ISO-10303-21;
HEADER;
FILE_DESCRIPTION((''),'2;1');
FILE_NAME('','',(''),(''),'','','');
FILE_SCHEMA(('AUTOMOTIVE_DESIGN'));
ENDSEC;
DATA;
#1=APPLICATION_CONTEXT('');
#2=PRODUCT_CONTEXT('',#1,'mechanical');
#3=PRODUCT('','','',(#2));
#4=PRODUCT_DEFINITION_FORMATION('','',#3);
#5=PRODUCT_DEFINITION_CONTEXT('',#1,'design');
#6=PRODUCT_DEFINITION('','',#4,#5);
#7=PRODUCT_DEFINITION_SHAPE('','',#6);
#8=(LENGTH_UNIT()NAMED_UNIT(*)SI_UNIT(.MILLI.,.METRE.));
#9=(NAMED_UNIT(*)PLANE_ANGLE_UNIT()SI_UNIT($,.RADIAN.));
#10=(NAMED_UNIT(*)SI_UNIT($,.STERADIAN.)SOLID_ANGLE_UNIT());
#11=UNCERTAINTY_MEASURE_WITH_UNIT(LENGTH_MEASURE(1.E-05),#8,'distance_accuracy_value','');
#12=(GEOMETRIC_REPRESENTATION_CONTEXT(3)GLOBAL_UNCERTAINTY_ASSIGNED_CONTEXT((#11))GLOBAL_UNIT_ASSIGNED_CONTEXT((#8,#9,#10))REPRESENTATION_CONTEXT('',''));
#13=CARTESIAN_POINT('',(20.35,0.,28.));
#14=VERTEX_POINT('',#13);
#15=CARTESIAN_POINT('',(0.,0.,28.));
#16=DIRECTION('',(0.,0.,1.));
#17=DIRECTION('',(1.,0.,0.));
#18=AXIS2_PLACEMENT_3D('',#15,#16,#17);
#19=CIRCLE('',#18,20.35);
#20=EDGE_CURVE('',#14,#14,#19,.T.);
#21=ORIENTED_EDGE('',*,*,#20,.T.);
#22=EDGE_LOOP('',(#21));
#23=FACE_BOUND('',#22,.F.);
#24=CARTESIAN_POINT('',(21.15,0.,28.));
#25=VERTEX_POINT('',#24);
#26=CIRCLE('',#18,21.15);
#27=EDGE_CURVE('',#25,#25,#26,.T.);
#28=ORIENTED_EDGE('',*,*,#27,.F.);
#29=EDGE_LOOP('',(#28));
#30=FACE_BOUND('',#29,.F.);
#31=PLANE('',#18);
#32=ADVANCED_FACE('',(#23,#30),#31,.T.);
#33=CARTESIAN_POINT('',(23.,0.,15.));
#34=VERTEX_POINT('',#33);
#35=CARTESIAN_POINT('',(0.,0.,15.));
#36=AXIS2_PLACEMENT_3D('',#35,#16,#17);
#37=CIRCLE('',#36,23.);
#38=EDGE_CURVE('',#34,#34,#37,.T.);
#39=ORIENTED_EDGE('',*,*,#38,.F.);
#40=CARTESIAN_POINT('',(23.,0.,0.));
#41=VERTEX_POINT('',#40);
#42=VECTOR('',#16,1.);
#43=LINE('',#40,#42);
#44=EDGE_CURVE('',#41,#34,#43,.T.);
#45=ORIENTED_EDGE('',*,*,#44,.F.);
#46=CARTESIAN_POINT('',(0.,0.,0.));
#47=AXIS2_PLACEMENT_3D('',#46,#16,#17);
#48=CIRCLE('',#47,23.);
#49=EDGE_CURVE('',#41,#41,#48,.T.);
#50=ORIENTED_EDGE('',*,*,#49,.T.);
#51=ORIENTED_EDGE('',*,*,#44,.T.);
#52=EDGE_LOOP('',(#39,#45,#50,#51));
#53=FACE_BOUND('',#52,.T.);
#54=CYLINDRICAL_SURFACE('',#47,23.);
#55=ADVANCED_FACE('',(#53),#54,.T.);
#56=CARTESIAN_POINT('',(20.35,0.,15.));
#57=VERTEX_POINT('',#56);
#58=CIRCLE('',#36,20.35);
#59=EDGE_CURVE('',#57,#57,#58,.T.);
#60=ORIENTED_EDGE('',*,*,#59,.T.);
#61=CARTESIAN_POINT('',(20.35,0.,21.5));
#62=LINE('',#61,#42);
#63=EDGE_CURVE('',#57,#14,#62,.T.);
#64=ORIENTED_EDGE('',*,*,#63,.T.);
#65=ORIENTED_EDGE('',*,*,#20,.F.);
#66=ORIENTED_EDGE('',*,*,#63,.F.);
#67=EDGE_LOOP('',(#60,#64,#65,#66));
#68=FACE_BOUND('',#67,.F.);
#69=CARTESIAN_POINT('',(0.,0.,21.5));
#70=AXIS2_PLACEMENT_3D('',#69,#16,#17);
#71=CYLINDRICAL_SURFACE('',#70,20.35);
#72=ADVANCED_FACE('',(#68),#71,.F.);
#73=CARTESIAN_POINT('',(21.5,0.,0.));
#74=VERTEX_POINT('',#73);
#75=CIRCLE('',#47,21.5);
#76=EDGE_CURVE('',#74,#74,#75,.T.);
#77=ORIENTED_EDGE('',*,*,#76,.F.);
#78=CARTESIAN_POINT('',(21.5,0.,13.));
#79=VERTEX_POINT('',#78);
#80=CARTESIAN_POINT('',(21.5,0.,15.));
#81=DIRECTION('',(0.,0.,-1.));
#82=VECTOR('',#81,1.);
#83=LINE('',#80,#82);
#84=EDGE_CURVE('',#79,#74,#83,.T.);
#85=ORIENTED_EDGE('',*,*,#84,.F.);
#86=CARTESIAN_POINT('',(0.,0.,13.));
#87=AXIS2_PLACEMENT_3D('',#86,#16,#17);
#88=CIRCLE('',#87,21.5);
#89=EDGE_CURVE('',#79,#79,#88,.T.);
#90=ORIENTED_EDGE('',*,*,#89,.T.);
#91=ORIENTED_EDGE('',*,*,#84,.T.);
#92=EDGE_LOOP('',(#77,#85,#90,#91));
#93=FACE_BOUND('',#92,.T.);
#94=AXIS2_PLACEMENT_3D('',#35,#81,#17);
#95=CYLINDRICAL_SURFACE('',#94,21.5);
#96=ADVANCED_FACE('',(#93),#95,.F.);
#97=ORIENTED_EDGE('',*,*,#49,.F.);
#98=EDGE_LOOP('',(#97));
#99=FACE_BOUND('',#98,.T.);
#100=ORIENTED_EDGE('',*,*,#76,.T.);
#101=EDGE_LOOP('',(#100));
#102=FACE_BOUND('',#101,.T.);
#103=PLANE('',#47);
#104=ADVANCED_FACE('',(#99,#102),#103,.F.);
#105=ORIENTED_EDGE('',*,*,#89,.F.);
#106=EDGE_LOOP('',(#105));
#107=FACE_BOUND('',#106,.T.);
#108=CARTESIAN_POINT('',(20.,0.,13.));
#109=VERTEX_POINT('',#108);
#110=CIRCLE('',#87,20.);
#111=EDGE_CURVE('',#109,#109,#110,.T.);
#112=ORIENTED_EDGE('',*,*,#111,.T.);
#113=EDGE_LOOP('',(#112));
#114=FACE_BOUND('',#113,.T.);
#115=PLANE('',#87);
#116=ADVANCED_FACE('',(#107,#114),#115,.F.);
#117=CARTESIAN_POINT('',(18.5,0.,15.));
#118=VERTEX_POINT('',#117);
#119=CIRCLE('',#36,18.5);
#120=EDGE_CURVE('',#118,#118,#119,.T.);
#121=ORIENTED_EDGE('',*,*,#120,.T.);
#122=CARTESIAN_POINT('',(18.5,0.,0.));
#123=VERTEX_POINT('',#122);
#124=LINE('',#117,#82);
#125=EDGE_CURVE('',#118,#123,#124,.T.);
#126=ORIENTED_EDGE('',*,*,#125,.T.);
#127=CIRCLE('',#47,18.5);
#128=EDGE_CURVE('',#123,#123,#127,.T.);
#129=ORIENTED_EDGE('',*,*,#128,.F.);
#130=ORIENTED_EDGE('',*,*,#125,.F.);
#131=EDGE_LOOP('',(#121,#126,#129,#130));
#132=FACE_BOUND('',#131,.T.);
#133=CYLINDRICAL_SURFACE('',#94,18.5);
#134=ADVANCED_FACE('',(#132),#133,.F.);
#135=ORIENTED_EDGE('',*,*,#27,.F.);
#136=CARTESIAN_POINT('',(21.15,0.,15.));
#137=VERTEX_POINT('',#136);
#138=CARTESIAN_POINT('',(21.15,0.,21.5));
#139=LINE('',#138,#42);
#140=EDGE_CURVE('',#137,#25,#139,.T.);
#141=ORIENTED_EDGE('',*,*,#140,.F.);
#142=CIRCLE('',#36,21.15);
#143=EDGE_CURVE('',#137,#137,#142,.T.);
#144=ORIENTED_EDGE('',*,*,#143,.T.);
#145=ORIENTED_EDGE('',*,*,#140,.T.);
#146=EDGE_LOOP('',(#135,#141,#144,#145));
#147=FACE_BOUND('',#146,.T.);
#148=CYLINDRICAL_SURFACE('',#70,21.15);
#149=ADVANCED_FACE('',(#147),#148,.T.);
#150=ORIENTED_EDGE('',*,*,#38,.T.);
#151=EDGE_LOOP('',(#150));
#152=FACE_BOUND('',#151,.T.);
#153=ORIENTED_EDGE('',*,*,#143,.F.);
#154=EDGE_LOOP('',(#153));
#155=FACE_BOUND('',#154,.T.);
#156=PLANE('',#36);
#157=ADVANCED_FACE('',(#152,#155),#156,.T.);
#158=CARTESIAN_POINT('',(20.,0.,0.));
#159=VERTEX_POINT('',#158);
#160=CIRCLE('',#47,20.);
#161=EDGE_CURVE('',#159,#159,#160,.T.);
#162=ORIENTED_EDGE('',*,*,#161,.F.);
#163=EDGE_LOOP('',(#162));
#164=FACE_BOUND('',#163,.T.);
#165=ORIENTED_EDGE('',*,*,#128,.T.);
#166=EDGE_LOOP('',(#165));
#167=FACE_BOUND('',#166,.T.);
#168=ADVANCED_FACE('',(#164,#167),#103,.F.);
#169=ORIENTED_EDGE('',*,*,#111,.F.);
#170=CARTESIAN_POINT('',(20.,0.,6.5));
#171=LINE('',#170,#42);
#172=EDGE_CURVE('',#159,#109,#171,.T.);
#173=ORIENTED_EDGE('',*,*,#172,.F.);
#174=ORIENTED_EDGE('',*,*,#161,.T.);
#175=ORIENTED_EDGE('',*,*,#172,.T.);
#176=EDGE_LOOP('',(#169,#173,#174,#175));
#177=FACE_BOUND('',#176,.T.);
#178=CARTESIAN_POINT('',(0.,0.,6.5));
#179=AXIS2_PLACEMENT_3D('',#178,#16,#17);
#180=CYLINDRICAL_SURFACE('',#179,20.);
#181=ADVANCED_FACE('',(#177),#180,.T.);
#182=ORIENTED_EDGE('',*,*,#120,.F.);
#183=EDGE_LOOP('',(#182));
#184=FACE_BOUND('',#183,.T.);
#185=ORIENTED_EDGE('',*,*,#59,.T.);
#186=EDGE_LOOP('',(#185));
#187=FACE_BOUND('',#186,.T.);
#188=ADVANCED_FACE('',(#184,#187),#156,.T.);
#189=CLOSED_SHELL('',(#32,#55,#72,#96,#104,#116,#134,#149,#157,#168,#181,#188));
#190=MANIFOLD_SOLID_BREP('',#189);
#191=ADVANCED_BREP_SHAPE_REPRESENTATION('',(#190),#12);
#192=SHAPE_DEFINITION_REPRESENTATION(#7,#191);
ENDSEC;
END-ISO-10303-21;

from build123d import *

# Parameters (mm, degrees)
F0_W   = 1.5
F0_H   = 13
F0_H_2 = 2
F0_W_2 = 0.8


with BuildPart() as f1:
    # F0 (on Front) → F1 (revolve)
    with BuildSketch(Plane.XZ):
        with Locations((19.25, 6.5)):
            Rectangle(F0_W, F0_H)
        with Locations((22.25, 6.5)):
            Rectangle(F0_W, F0_H)
        with Locations((22.25, 14)):
            Rectangle(F0_W, F0_H_2)
        Polygon((20, 15), (20, 13), (21.5, 13), (21.5, 15), (21.15, 15), (20.35, 15), align=None)
        with Locations((19.25, 14)):
            Rectangle(F0_W, F0_H_2)
        with Locations((20.75, 21.5)):
            Rectangle(F0_W_2, F0_H)
    revolve(axis=Axis((0, 0, 7.5), (0, 0, 1)))


solid = f1.part
